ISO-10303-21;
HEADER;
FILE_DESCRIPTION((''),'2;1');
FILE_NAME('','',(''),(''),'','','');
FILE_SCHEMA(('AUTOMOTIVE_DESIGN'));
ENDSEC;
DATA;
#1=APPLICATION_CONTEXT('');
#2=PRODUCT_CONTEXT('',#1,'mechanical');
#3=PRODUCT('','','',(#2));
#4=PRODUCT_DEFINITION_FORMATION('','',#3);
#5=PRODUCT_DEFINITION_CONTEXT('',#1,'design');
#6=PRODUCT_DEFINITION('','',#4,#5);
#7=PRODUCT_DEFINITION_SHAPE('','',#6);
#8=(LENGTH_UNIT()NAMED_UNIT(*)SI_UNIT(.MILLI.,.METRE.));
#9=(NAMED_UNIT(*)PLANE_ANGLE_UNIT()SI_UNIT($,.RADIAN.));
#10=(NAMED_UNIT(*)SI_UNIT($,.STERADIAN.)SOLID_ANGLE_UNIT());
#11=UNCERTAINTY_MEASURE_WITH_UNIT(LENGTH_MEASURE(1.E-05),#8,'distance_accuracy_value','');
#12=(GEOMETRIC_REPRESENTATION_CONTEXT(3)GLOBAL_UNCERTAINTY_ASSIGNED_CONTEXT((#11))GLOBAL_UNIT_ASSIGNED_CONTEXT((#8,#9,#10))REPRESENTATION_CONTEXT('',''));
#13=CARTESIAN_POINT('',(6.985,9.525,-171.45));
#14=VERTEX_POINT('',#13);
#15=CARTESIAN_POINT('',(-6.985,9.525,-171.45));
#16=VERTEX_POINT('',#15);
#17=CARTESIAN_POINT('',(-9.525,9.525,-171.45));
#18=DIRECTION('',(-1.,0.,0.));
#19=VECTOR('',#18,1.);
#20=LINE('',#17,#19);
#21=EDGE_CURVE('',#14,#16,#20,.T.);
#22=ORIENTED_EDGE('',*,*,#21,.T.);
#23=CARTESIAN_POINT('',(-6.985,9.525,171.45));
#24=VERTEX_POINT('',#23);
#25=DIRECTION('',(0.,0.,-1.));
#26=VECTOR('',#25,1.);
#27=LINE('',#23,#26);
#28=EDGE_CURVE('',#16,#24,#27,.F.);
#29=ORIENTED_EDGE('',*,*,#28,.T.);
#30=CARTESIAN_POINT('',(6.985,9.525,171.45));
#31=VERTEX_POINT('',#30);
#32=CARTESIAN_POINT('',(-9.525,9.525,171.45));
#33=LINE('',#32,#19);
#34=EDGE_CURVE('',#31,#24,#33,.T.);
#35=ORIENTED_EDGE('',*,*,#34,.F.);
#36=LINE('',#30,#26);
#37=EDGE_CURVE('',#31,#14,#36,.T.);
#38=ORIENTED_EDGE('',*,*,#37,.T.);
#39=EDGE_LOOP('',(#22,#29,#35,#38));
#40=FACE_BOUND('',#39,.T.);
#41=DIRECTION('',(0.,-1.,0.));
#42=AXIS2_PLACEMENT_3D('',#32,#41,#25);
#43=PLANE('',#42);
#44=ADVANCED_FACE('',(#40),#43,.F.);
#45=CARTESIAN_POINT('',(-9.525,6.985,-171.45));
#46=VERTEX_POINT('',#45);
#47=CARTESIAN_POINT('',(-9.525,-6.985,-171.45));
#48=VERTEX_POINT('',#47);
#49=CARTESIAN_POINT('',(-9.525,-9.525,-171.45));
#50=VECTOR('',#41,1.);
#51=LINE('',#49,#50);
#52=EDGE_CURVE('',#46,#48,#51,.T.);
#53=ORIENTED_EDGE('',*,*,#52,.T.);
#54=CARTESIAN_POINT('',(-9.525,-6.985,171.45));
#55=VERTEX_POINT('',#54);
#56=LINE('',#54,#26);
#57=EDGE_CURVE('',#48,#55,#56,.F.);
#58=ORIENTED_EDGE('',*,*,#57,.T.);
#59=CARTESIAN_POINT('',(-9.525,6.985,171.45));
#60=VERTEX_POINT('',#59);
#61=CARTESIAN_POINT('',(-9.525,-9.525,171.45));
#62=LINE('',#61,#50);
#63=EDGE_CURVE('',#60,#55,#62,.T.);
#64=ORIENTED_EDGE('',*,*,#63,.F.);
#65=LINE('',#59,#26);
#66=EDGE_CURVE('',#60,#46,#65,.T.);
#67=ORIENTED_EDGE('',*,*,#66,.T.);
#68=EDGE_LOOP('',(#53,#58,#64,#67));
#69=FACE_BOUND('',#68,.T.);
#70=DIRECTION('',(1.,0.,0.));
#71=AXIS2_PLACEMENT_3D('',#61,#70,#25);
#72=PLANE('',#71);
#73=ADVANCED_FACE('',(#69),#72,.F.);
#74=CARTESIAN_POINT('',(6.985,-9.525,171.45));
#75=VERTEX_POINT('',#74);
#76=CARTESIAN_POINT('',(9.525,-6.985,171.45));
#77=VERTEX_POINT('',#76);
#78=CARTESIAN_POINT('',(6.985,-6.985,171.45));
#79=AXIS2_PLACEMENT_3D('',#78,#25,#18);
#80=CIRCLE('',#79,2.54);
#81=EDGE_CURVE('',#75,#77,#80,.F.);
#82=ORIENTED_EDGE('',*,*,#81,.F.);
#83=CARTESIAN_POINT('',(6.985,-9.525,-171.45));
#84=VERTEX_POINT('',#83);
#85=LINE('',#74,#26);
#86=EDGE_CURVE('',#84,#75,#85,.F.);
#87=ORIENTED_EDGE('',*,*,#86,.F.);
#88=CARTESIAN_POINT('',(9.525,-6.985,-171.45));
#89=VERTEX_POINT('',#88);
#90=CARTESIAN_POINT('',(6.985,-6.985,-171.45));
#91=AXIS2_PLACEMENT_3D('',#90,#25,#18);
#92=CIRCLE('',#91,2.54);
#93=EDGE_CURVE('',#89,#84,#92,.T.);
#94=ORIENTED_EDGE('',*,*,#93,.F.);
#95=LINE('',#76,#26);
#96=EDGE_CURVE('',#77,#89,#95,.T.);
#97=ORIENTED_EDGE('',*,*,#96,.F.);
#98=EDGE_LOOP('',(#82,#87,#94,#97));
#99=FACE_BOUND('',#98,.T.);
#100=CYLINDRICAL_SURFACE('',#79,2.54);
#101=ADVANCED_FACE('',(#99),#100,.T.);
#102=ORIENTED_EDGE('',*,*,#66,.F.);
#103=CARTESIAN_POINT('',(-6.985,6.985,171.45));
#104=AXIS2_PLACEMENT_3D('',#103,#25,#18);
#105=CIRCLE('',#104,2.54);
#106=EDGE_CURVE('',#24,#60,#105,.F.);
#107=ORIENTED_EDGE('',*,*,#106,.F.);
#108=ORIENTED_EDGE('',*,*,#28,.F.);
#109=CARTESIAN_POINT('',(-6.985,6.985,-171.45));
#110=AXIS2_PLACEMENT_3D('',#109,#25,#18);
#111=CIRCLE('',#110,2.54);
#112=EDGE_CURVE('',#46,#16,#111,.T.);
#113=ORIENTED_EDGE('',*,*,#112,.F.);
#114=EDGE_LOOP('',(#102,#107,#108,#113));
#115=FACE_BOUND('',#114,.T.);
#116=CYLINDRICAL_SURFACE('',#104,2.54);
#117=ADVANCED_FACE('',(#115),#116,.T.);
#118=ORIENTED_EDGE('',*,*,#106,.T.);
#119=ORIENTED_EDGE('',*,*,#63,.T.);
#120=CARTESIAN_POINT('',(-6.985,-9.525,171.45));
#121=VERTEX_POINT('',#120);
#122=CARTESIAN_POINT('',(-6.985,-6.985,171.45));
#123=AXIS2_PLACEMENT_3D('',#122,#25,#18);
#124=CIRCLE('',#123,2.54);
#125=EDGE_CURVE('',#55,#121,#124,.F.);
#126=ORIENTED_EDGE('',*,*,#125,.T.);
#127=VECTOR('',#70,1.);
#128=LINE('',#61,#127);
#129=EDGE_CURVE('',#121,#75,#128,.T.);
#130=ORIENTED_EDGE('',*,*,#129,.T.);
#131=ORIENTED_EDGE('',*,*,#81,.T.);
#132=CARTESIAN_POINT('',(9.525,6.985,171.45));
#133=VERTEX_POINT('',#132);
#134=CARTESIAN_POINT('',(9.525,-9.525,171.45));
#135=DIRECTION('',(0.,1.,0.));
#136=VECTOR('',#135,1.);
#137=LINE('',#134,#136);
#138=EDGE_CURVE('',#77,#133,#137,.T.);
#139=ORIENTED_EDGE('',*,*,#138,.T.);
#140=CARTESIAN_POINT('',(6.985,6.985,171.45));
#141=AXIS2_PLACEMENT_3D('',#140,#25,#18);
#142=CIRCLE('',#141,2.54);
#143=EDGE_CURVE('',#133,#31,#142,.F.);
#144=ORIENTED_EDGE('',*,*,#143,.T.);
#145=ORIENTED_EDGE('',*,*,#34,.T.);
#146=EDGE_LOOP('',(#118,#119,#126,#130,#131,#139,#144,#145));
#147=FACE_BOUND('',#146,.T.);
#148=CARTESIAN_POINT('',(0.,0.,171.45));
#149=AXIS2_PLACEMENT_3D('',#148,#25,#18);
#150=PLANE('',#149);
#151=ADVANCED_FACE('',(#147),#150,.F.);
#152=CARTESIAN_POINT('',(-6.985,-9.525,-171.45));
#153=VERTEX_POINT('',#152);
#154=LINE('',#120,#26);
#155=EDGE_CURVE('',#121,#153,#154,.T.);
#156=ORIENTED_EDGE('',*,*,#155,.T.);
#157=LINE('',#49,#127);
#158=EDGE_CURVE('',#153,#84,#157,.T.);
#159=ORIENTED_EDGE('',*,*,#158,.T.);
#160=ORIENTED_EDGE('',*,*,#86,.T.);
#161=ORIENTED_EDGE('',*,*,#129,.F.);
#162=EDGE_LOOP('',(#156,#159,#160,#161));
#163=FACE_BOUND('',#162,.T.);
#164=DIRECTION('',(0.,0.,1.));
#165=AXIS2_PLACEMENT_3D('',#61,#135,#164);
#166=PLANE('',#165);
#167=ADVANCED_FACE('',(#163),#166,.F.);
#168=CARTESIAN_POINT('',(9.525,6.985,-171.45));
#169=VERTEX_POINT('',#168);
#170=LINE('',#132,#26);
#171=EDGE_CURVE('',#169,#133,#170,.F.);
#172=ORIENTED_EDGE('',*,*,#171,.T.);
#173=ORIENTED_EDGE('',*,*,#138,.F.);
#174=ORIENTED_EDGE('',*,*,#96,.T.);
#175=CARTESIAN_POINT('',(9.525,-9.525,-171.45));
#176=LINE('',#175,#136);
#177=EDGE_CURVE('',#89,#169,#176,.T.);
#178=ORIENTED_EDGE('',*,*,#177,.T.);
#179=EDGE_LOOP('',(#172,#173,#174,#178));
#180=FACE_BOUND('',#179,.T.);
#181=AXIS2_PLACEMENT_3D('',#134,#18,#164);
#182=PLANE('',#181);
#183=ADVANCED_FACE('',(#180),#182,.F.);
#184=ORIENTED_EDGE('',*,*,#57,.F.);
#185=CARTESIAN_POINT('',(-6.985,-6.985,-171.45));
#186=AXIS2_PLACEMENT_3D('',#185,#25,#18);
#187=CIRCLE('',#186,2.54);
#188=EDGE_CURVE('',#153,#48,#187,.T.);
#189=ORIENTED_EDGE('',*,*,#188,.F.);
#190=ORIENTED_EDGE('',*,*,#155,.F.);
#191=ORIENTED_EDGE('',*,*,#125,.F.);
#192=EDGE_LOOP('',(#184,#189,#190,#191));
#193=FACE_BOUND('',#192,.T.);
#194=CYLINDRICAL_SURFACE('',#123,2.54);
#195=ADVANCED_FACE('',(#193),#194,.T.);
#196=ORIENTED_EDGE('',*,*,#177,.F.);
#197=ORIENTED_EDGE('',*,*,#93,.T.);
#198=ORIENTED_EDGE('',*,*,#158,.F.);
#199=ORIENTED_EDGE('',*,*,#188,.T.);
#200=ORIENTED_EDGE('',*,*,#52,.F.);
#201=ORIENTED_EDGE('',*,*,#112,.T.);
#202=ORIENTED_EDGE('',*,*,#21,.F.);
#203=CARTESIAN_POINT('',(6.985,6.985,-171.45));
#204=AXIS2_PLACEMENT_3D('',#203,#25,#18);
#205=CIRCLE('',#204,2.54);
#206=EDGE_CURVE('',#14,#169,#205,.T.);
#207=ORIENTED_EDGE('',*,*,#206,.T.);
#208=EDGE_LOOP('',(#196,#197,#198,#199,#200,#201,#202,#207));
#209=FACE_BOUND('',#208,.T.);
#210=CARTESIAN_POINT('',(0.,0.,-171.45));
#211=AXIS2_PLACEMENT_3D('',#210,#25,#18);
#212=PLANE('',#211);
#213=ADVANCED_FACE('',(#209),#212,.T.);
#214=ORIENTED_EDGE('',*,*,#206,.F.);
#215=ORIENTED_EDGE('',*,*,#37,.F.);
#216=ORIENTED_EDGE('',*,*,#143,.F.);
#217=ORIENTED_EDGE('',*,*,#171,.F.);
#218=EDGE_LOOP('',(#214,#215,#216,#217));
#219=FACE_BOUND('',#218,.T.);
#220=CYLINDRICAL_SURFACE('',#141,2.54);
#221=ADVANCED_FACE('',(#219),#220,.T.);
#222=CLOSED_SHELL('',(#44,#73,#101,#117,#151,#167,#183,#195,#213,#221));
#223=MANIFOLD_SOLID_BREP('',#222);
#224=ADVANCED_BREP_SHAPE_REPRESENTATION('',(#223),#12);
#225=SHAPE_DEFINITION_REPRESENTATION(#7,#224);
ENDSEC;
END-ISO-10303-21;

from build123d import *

# Parameters (mm, degrees)
SKETCH1_W           = 19.05
SKETCH1_H           = 19.05
BOSS_EXTRUDE1_DEPTH = 171.45
FILLET1_R           = 2.54


with BuildPart() as part:
    # Sketch1 → Boss-Extrude1 (new, symmetric)
    with BuildSketch(Plane.XY):
        Rectangle(SKETCH1_W, SKETCH1_H)
    extrude(amount=BOSS_EXTRUDE1_DEPTH, both=True)

    # Fillet1
    fillet1_edges = [part.edges().sort_by_distance(p)[0] for p in [
        (9.525, -9.525, 0),
        (-9.525, -9.525, 0),
        (-9.525, 9.525, 0),
        (9.525, 9.525, 0),
    ]]
    fillet(fillet1_edges, radius=FILLET1_R)


solid = part.part
